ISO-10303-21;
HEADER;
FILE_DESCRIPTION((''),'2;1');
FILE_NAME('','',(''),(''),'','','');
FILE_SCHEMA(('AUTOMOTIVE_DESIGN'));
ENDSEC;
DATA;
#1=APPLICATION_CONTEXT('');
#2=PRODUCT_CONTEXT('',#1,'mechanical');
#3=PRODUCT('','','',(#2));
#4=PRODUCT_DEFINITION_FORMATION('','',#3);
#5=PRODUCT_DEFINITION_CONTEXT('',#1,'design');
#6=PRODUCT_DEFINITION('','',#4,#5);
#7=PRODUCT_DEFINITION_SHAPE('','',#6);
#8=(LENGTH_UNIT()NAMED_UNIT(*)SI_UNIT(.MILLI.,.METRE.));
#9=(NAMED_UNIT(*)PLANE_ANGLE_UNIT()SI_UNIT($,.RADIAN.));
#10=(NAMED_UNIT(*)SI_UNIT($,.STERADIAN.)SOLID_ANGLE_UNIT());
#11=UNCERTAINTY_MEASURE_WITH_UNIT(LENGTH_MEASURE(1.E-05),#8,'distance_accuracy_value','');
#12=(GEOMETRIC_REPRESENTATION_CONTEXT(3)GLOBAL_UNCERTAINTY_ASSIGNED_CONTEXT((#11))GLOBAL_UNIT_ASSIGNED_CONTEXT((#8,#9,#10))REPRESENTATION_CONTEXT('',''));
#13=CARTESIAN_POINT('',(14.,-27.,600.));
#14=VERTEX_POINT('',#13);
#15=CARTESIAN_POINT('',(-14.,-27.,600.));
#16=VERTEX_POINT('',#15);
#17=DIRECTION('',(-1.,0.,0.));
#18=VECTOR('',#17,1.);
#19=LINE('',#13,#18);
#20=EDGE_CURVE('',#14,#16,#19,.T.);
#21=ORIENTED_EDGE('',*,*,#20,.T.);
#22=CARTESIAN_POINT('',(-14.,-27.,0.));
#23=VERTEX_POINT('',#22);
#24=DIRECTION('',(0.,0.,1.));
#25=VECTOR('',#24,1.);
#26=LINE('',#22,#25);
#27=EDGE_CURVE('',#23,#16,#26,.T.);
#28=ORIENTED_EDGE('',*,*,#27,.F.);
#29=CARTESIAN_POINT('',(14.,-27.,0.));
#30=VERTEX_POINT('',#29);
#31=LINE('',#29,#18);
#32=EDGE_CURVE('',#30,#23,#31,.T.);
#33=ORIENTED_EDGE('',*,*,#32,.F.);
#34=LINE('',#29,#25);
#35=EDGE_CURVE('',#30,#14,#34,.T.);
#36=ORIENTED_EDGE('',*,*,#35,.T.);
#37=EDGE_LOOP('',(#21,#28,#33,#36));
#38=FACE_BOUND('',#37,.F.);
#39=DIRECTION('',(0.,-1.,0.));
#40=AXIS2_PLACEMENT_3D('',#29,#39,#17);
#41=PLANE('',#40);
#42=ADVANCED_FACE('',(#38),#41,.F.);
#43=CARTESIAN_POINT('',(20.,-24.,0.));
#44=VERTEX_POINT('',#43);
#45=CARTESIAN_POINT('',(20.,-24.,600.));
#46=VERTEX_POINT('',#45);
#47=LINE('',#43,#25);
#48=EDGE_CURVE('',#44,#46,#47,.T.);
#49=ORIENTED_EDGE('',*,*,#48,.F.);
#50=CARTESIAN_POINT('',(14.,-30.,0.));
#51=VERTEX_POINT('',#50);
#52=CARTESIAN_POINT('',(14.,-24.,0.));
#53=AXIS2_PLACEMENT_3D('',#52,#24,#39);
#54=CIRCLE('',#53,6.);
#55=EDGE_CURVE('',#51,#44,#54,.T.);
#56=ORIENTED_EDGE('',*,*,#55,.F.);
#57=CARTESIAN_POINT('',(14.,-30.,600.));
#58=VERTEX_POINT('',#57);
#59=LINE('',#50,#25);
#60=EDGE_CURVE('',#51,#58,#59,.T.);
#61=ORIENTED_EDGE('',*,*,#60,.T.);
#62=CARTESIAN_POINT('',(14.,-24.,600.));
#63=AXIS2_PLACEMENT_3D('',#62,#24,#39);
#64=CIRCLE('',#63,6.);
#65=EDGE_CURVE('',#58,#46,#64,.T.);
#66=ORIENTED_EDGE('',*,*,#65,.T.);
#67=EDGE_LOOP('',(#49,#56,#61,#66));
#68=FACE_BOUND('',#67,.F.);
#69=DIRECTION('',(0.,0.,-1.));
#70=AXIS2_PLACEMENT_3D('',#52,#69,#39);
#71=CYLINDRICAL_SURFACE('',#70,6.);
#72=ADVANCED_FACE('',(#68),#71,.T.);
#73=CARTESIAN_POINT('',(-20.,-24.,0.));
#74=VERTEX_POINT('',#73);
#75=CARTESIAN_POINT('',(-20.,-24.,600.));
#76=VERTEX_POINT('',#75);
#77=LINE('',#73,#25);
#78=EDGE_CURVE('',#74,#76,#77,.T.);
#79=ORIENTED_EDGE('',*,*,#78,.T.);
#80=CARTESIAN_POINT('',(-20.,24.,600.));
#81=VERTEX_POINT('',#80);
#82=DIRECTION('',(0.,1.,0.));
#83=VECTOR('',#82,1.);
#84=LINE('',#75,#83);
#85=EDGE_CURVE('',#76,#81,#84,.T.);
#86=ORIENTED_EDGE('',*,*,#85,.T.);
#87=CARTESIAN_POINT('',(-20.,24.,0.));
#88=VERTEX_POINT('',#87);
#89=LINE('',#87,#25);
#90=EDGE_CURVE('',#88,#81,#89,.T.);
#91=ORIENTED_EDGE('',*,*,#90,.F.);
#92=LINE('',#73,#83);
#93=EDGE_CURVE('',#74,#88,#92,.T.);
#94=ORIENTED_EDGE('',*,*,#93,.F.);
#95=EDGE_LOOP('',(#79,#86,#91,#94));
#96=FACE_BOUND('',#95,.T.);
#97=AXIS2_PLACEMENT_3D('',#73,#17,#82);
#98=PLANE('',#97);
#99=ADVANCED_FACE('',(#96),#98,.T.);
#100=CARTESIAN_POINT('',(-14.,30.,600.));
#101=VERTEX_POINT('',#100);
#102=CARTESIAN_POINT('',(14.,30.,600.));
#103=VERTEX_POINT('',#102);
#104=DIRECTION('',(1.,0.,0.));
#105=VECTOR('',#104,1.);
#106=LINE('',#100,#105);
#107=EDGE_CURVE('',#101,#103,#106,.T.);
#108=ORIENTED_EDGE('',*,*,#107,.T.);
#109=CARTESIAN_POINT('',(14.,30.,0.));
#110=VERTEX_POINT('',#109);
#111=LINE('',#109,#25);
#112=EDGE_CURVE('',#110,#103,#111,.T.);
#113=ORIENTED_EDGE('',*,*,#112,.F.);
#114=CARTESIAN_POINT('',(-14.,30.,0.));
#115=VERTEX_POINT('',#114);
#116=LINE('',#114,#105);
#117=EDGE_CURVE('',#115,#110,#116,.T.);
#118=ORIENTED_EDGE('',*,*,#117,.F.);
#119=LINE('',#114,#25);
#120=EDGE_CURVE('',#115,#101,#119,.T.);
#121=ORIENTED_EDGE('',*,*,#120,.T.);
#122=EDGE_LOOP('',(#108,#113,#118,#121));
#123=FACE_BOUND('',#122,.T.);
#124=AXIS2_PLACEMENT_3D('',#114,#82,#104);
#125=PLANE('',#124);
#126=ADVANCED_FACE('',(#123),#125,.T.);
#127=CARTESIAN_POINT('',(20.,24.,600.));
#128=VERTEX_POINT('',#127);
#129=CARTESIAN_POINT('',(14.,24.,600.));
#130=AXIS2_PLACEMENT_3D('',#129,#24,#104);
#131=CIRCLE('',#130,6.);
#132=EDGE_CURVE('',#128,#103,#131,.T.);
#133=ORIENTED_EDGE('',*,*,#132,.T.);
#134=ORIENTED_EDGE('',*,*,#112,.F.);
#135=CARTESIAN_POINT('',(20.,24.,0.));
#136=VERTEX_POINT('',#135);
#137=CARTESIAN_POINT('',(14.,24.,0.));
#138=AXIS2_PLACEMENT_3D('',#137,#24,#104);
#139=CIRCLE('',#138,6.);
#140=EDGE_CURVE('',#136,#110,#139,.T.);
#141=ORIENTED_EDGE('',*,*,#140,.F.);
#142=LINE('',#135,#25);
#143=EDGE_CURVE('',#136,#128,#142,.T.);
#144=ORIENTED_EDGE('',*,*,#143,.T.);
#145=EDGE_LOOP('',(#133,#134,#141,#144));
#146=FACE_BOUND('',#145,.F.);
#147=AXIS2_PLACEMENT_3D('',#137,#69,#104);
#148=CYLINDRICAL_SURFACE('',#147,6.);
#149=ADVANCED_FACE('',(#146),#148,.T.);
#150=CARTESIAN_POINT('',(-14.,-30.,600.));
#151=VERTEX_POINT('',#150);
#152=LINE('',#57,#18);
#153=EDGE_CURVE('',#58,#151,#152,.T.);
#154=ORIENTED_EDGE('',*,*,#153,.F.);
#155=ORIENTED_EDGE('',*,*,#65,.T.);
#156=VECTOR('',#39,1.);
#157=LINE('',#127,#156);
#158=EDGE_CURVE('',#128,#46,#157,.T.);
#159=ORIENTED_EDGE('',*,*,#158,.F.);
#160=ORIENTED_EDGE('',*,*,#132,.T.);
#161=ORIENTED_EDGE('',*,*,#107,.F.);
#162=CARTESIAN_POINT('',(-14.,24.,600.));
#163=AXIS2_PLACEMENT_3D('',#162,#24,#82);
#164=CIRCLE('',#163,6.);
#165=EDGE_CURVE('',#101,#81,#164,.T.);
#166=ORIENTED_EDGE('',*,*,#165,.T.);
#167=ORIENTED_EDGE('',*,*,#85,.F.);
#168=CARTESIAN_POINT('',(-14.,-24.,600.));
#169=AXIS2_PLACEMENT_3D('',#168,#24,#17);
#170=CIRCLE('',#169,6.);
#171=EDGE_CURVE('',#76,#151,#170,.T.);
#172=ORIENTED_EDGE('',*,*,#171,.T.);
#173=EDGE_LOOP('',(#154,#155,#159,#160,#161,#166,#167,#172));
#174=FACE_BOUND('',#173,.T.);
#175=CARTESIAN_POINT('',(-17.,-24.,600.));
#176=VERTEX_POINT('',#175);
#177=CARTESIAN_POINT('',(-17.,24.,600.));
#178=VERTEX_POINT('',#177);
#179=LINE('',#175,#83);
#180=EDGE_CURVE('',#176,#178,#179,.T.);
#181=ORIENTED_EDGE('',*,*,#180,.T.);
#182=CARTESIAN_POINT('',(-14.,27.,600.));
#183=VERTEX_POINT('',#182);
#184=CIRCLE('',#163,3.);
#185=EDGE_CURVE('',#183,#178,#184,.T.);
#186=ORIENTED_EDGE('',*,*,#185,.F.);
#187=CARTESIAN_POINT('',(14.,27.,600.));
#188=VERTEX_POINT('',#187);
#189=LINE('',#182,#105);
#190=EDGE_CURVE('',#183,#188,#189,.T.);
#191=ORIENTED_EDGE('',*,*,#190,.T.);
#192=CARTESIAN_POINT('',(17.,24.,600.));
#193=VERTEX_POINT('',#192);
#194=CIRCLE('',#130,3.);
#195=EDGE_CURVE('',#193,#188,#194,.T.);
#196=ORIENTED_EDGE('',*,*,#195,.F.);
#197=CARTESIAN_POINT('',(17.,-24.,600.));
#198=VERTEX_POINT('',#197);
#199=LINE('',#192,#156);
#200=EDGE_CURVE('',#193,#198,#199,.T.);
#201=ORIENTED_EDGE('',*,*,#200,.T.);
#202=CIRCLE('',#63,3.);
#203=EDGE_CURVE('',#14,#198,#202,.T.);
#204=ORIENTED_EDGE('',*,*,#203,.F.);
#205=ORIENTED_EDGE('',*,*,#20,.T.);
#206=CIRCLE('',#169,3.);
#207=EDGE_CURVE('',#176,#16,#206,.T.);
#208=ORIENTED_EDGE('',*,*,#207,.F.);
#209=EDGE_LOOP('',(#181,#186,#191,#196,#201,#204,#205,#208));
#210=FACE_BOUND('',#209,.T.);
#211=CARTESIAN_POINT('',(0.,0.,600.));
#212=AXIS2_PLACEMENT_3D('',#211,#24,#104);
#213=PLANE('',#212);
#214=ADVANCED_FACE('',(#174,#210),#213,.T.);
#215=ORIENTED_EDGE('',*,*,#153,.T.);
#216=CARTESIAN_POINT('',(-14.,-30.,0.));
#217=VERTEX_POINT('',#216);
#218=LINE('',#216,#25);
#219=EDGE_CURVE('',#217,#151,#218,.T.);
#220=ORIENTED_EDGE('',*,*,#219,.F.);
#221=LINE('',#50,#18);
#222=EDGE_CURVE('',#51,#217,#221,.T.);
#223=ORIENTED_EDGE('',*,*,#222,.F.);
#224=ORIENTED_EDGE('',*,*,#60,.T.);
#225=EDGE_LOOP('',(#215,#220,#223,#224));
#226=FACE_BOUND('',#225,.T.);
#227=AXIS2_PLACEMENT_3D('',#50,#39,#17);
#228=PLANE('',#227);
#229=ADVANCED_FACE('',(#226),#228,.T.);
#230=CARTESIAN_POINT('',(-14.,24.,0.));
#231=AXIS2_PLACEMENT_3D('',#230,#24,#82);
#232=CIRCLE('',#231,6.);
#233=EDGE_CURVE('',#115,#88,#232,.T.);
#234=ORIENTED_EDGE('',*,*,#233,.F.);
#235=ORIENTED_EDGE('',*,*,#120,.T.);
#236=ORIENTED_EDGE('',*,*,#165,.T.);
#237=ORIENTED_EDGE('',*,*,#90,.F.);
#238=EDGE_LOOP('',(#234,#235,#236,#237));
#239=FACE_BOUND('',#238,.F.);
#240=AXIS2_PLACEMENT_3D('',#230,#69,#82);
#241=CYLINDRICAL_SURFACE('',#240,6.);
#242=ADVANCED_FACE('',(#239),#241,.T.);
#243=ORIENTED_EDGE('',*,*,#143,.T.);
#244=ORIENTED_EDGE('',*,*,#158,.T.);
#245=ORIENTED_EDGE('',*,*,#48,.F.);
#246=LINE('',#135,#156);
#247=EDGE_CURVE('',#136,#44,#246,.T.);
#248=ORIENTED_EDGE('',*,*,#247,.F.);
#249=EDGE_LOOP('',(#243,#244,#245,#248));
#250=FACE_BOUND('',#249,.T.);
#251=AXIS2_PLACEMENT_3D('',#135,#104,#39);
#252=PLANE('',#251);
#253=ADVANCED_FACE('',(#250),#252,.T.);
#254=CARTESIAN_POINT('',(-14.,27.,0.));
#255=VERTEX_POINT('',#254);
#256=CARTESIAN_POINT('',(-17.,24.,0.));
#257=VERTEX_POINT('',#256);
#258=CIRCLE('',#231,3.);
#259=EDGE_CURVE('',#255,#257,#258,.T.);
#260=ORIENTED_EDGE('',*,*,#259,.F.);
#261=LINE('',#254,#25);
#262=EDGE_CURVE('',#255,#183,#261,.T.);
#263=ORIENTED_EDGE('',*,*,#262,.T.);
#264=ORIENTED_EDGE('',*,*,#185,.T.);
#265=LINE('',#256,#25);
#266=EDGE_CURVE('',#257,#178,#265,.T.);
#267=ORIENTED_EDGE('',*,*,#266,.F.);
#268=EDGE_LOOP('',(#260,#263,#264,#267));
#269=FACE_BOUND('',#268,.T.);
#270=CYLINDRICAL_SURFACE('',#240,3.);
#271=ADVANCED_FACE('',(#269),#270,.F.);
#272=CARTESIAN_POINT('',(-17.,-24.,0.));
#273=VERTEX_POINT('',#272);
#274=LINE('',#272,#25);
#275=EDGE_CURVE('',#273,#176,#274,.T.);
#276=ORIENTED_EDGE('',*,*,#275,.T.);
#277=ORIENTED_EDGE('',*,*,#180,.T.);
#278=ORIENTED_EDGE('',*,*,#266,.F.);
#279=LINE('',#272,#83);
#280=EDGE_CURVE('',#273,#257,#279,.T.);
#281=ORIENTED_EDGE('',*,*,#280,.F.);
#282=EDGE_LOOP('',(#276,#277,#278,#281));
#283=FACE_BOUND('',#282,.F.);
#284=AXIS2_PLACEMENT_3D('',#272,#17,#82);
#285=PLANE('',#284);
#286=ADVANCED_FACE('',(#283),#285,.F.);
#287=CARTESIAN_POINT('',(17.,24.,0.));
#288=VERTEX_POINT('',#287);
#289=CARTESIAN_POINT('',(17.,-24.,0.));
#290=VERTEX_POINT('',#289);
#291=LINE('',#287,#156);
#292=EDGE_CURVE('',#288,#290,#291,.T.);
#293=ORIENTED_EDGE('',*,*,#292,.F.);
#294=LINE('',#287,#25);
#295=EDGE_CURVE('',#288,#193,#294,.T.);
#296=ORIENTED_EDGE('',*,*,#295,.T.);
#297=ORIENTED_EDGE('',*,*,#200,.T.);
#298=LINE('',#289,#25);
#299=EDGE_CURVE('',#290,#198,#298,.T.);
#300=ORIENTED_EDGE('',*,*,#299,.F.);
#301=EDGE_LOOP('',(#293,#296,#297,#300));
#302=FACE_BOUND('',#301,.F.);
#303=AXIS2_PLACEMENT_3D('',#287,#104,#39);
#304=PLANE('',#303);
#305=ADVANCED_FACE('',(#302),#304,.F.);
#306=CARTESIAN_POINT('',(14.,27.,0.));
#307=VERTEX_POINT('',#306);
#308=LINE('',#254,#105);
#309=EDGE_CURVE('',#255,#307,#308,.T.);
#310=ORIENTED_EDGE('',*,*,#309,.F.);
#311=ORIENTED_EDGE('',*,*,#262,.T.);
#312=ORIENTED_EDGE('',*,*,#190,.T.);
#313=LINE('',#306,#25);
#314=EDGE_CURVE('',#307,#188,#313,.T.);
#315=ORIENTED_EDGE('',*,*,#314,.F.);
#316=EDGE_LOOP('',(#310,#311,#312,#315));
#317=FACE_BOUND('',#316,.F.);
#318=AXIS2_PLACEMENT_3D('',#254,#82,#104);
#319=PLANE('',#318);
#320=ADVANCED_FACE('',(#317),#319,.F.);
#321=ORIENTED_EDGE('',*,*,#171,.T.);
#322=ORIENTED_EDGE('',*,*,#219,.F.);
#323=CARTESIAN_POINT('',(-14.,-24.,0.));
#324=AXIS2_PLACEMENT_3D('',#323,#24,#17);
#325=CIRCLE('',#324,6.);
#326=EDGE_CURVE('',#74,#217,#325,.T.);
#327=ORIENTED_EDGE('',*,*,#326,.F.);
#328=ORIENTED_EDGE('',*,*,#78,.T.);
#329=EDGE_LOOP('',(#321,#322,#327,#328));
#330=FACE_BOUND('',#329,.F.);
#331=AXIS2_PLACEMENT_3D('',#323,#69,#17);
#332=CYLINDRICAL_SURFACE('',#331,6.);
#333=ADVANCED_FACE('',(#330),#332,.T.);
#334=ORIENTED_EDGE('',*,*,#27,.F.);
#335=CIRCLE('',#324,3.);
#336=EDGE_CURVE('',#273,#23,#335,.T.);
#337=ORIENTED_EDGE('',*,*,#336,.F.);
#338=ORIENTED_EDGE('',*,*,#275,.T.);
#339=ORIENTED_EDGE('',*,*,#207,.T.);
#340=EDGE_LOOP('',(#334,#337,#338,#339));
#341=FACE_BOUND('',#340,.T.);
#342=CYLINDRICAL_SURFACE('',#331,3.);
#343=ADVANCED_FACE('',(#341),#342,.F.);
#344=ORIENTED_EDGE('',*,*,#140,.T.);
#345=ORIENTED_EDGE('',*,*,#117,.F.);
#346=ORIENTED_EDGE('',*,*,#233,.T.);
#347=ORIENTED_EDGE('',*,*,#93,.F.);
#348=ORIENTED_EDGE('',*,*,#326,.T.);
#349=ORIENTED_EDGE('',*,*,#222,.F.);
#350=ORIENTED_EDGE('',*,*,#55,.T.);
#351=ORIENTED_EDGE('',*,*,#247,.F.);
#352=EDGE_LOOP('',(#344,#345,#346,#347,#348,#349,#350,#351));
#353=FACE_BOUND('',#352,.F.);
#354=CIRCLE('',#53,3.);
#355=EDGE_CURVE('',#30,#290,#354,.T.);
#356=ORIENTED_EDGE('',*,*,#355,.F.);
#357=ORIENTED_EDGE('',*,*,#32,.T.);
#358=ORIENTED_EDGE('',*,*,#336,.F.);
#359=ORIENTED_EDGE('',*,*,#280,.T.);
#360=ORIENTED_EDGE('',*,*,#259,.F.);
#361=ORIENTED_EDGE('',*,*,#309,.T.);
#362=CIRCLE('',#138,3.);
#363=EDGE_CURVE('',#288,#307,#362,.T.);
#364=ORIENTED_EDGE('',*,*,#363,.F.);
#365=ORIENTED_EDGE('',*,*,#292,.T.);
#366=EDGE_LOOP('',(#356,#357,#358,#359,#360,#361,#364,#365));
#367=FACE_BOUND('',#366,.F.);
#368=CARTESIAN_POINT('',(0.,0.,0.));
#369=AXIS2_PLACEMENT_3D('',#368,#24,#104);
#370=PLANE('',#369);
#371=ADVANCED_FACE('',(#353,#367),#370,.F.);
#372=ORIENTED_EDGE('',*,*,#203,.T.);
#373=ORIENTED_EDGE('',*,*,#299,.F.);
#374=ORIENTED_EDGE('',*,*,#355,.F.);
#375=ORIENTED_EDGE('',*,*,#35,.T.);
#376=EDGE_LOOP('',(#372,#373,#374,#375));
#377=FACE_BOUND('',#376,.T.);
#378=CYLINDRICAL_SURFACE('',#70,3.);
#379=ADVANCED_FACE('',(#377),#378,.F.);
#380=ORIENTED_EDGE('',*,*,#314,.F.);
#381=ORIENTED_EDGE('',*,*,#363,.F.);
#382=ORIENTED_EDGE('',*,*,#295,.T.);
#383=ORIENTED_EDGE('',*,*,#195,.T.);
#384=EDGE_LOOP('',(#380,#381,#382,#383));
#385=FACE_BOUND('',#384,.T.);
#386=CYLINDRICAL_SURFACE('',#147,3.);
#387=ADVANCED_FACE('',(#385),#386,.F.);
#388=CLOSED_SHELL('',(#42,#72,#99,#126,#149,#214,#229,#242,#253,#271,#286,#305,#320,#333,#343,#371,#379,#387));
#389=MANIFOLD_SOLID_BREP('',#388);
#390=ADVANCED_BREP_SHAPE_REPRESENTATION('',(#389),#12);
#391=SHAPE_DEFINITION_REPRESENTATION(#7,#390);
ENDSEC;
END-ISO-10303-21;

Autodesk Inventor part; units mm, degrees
ref_plane "YZ Plane" through (0, 0, 0) normal (1, 0, 0) x (0, 1, 0)
ref_plane "Start plane" through (0, 0, 0) normal (0, 0, 1) x (1, 0, 0)
ref_plane "End plane" through (0, 0, 600) normal (0, 0, 1) x (1, 0, 0)
sketch "Sketch" plane through (0, 0, 0) normal (0, 0, 1) x (1, 0, 0)
  line L0 (-20, -24) -> (-20, 24)
  line L1 (-14, 30) -> (14, 30)
  line L2 (20, 24) -> (20, -24)
  line L3 (14, -30) -> (-14, -30)
  arc A0 (-20, -24) -> (-14, -30) centre (-14, -24) ccw
  arc A1 (20, 24) -> (14, 30) centre (14, 24) ccw
  arc A2 (-14, 30) -> (-20, 24) centre (-14, 24) ccw
  arc A3 (14, -30) -> (20, -24) centre (14, -24) ccw
  arc A4 (-14, 27) -> (-17, 24) centre (-14, 24) ccw
  line L4 (-14, 27) -> (14, 27)
  arc A5 (17, 24) -> (14, 27) centre (14, 24) ccw
  line L5 (17, 24) -> (17, -24)
  arc A6 (14, -27) -> (17, -24) centre (14, -24) ccw
  line L6 (14, -27) -> (-14, -27)
  arc A7 (-17, -24) -> (-14, -27) centre (-14, -24) ccw
  line L7 (-17, -24) -> (-17, 24)
  line L8 (0, 57.7397) -> (0, -57.7397) construction
  line L9 (-29.7397, 0) -> (29.7397, 0) construction
  dimension "d7" = 6
  dimension "d9" = 40
  dimension "d11" = 60
  dimension "d12" = 3
  dimension "d15" = 20
  dimension "d16" = 30
extrude "Body" add sketch "Sketch" along normal up to surface (600 mm away) from surface at 0
sketch "Sketch3" plane through (0, 0, 0) normal (0, 0, 1) x (1, 0, 0)
  line L0 (0, 0) -> (10, 0)
ref_plane "Work Plane3" through (0, 0, 0) normal (0, -1, 0) x (1, 0, 0)
sketch "Sketch4" plane through (0, 0, 0) normal (0, -1, 0) x (1, 0, 0)
  line L0 (-2, 0) -> (12, 0) projected
  line L1 (-2, 600) -> (12, 600) projected
  dimension "d18" = 600
equation "\"d7\" = G_IR"
equation "\"d9\" = G_W"
equation "\"d11\" = G_H"
equation "\"d12\" = G_T"
equation "\"d15\" = 0.5 * d9"
equation "\"d16\" = 0.5 * d11"
equation "\"d3\" = G_L"
equation "\"G_W\" = 40"
equation "\"G_H\" = 60"
equation "\"G_T\" = 3"
equation "\"G_IR\" = 6"
equation "\"G_L\" = d18"
equation "\"G_OFFSET_START\" = 0"
equation "\"G_OFFSET_END\" = 0"
properties part number "ISO 10799-2 - 60x40x3 - 600" material "Steel, Mild"
